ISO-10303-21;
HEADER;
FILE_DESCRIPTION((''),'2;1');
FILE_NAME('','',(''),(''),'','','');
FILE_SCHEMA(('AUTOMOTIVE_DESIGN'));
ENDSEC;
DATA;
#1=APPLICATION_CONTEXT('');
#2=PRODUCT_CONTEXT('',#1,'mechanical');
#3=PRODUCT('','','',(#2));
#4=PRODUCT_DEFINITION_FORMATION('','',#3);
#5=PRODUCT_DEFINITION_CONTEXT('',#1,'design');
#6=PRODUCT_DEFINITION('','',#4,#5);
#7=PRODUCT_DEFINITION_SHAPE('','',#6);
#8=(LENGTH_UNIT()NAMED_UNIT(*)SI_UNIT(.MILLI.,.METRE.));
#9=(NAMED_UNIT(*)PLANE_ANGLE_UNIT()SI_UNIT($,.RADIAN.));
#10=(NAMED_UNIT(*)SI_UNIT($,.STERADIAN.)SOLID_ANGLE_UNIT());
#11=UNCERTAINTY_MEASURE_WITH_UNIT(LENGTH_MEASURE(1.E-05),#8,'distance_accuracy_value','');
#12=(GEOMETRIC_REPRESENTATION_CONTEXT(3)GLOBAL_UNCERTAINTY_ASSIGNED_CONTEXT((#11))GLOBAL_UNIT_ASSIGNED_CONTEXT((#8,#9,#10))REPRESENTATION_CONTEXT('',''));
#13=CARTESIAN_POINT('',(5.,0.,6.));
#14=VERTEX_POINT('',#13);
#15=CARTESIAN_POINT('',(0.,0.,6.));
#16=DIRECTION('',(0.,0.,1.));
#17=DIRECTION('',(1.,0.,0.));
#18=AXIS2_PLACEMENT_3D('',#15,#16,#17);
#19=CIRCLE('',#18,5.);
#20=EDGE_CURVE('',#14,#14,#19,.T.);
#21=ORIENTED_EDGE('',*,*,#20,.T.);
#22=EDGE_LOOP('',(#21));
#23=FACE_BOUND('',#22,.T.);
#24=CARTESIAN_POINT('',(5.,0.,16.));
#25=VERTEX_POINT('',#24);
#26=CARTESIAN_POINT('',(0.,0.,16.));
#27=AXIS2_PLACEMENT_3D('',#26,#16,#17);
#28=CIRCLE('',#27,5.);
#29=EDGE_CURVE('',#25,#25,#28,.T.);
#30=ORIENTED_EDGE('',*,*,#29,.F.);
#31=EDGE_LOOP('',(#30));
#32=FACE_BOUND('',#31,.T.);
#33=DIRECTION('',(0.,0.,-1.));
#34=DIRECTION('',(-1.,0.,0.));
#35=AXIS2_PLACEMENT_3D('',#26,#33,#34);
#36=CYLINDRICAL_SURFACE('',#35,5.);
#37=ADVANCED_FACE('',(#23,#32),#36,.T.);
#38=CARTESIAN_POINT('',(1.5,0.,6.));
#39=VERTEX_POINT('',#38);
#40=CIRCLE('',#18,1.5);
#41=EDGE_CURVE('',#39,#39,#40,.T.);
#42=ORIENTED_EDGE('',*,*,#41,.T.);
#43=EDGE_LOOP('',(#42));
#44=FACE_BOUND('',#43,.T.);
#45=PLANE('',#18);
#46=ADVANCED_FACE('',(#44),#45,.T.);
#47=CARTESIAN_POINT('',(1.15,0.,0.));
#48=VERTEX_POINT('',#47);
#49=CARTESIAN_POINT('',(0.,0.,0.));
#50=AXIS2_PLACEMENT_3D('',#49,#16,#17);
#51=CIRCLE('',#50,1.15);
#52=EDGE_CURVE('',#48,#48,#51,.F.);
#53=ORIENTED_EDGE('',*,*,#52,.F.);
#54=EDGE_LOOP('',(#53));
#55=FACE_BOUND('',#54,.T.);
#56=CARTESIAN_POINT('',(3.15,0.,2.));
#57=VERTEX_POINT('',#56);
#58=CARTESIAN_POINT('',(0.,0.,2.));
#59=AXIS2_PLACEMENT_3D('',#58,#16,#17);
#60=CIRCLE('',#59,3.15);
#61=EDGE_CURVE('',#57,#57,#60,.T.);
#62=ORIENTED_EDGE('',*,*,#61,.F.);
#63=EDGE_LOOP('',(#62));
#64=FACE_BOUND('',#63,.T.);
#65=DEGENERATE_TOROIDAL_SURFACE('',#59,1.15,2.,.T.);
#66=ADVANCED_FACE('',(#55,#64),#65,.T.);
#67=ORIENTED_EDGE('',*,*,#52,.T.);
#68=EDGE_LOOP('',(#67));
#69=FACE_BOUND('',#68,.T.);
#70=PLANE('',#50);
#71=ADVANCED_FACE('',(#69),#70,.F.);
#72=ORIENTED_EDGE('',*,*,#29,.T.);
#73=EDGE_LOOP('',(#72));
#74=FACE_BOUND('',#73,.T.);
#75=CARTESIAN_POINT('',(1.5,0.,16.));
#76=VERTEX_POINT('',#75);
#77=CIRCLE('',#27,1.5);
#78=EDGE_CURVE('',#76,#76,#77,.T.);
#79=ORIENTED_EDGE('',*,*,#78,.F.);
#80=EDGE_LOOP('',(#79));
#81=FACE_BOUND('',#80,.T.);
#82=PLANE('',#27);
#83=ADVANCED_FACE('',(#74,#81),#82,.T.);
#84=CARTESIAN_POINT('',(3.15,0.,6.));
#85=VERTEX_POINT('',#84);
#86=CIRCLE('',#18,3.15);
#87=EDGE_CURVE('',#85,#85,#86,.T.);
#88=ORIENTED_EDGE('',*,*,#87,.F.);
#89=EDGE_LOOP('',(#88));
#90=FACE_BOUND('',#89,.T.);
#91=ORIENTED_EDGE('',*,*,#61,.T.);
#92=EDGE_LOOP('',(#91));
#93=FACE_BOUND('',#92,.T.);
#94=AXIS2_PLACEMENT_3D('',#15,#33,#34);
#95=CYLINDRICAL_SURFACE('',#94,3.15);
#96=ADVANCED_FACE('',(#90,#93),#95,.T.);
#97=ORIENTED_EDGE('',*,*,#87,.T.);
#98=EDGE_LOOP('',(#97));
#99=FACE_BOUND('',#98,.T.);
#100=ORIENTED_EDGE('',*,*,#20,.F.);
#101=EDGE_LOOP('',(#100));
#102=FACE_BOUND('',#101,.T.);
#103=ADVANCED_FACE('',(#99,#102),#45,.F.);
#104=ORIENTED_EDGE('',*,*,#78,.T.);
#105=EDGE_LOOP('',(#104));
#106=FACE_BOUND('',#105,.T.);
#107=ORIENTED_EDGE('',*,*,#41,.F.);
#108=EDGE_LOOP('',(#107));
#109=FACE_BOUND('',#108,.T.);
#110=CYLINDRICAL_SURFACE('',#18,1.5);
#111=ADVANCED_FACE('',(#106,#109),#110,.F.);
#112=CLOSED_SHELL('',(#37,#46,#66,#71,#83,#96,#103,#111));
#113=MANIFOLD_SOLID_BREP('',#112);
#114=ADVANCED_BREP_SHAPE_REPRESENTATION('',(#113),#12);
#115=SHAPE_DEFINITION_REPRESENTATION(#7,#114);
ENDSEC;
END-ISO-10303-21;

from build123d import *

# Parameters (mm, degrees)
ESQUISSE1_R             = 3.15
BOSS_EXTRU_1_DEPTH      = 6
ESQUISSE3_R             = 5
BOSS_EXTRU_2_DEPTH      = 10
ESQUISSE4_R             = 1.5
ENL_V_MAT_EXTRU_1_DEPTH = 10
CONG_1_R                = 2


with BuildPart() as part:
    # Esquisse1 → Boss.-Extru.1 (new body)
    with BuildSketch(Plane.XY):
        Circle(ESQUISSE1_R)
    extrude(amount=BOSS_EXTRU_1_DEPTH)

    # Esquisse3 → Boss.-Extru.2 (add)
    with BuildSketch(Plane.XY.offset(6)):
        Circle(ESQUISSE3_R)
    extrude(amount=BOSS_EXTRU_2_DEPTH)

    # Esquisse4 → Enlèv. mat.-Extru.1 (cut)
    with BuildSketch(Plane.XY.offset(16)):
        Circle(ESQUISSE4_R)
    extrude(amount=-ENL_V_MAT_EXTRU_1_DEPTH, mode=Mode.SUBTRACT)

    # Congé1
    cong_1_edges = [part.edges().sort_by_distance(p)[0] for p in [
        (-3.15, 0, 0),
    ]]
    fillet(cong_1_edges, radius=CONG_1_R)


solid = part.part
